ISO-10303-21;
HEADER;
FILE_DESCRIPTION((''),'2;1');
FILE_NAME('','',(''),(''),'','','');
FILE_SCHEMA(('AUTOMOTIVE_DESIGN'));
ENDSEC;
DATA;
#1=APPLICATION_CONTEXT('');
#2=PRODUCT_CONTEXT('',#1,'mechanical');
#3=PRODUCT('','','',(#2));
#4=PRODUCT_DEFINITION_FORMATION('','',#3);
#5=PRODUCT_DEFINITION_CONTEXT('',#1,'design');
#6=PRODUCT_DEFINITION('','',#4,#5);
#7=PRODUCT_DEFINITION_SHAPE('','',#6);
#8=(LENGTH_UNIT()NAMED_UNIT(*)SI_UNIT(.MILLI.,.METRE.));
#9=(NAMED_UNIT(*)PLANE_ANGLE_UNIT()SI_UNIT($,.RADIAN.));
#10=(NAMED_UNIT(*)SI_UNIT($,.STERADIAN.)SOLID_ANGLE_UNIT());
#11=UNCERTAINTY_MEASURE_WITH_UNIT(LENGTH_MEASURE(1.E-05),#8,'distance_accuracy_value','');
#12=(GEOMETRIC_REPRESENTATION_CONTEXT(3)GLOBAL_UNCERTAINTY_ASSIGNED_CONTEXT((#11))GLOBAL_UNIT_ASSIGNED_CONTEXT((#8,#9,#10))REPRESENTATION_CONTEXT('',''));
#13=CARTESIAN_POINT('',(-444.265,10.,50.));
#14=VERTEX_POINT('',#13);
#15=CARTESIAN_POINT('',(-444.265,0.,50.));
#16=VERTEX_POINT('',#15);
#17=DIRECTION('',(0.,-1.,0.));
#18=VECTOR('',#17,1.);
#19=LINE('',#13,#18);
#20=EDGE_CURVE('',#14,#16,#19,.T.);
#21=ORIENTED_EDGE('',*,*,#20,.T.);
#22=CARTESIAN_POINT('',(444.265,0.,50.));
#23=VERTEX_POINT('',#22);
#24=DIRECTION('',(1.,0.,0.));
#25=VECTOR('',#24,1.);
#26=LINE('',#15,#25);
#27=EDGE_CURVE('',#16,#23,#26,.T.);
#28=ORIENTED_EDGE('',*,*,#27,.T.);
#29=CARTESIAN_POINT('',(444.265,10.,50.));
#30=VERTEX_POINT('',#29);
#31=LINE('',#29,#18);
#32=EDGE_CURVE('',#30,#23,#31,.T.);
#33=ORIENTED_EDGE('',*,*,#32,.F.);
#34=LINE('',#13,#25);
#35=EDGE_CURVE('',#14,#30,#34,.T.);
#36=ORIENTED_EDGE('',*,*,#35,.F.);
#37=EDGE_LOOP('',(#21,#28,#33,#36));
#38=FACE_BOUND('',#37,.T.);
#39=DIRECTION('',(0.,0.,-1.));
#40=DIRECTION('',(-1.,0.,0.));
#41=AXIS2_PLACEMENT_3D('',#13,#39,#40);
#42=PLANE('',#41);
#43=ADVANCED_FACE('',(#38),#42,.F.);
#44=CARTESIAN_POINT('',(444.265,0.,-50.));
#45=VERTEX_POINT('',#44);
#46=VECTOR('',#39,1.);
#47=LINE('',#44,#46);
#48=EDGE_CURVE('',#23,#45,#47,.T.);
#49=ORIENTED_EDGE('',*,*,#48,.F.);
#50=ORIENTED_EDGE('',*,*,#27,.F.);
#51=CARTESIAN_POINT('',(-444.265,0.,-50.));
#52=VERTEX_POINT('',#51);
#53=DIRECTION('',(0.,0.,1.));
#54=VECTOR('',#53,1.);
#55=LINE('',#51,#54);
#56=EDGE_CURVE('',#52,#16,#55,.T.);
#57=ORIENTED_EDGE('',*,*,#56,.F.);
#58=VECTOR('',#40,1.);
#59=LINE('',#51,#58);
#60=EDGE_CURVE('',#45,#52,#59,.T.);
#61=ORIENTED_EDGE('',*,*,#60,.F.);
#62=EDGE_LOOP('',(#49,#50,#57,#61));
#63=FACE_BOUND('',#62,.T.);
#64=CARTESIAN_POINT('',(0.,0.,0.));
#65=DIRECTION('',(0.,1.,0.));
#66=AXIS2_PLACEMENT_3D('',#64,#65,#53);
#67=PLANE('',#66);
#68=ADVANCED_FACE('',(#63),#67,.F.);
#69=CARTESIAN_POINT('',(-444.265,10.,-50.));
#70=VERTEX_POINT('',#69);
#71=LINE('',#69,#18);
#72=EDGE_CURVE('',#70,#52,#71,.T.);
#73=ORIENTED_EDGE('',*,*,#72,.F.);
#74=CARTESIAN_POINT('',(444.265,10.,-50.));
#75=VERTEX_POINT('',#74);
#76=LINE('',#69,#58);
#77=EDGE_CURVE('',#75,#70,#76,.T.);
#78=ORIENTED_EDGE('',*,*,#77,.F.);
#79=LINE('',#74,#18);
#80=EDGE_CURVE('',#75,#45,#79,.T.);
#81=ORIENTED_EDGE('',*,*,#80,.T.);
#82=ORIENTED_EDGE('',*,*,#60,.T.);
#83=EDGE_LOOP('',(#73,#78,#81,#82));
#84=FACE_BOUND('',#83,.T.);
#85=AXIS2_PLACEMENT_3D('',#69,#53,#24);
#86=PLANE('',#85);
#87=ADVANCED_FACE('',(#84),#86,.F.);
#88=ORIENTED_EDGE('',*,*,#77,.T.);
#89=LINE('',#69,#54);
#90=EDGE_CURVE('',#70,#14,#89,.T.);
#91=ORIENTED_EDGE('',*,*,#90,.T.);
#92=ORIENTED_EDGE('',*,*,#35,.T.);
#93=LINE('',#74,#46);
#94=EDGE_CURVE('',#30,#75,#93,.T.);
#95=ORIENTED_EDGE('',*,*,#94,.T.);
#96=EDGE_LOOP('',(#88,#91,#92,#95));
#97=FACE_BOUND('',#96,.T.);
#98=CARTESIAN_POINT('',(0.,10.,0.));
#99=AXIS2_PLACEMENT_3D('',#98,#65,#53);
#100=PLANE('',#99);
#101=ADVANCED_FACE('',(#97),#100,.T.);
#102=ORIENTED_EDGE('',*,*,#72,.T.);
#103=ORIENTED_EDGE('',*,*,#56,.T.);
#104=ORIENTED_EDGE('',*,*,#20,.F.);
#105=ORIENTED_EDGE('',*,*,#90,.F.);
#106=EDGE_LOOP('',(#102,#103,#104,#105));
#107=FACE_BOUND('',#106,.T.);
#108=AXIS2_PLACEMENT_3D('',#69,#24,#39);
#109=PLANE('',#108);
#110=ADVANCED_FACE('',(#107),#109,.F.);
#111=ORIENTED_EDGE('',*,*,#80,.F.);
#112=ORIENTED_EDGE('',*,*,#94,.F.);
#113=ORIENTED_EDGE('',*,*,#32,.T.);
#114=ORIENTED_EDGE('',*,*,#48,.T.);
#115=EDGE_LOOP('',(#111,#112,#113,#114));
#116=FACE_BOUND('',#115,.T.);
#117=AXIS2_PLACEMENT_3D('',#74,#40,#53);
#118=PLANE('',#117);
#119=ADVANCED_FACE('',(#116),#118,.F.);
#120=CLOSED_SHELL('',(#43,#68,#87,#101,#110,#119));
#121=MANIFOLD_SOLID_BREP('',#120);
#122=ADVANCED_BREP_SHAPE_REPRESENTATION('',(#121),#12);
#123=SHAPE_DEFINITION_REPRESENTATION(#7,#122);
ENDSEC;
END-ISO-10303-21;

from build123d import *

# Parameters (mm, degrees)
SKETCH1_W           = 888.53
SKETCH1_H           = 100
BOSS_EXTRUDE1_DEPTH = 10


with BuildPart() as part:
    # Sketch1 → Boss-Extrude1 (new body)
    with BuildSketch(Plane(origin=(0, 0, 0), x_dir=(1, 0, 0), z_dir=(0, 1, 0))):
        Rectangle(SKETCH1_W, SKETCH1_H)
    extrude(amount=BOSS_EXTRUDE1_DEPTH)


solid = part.part
